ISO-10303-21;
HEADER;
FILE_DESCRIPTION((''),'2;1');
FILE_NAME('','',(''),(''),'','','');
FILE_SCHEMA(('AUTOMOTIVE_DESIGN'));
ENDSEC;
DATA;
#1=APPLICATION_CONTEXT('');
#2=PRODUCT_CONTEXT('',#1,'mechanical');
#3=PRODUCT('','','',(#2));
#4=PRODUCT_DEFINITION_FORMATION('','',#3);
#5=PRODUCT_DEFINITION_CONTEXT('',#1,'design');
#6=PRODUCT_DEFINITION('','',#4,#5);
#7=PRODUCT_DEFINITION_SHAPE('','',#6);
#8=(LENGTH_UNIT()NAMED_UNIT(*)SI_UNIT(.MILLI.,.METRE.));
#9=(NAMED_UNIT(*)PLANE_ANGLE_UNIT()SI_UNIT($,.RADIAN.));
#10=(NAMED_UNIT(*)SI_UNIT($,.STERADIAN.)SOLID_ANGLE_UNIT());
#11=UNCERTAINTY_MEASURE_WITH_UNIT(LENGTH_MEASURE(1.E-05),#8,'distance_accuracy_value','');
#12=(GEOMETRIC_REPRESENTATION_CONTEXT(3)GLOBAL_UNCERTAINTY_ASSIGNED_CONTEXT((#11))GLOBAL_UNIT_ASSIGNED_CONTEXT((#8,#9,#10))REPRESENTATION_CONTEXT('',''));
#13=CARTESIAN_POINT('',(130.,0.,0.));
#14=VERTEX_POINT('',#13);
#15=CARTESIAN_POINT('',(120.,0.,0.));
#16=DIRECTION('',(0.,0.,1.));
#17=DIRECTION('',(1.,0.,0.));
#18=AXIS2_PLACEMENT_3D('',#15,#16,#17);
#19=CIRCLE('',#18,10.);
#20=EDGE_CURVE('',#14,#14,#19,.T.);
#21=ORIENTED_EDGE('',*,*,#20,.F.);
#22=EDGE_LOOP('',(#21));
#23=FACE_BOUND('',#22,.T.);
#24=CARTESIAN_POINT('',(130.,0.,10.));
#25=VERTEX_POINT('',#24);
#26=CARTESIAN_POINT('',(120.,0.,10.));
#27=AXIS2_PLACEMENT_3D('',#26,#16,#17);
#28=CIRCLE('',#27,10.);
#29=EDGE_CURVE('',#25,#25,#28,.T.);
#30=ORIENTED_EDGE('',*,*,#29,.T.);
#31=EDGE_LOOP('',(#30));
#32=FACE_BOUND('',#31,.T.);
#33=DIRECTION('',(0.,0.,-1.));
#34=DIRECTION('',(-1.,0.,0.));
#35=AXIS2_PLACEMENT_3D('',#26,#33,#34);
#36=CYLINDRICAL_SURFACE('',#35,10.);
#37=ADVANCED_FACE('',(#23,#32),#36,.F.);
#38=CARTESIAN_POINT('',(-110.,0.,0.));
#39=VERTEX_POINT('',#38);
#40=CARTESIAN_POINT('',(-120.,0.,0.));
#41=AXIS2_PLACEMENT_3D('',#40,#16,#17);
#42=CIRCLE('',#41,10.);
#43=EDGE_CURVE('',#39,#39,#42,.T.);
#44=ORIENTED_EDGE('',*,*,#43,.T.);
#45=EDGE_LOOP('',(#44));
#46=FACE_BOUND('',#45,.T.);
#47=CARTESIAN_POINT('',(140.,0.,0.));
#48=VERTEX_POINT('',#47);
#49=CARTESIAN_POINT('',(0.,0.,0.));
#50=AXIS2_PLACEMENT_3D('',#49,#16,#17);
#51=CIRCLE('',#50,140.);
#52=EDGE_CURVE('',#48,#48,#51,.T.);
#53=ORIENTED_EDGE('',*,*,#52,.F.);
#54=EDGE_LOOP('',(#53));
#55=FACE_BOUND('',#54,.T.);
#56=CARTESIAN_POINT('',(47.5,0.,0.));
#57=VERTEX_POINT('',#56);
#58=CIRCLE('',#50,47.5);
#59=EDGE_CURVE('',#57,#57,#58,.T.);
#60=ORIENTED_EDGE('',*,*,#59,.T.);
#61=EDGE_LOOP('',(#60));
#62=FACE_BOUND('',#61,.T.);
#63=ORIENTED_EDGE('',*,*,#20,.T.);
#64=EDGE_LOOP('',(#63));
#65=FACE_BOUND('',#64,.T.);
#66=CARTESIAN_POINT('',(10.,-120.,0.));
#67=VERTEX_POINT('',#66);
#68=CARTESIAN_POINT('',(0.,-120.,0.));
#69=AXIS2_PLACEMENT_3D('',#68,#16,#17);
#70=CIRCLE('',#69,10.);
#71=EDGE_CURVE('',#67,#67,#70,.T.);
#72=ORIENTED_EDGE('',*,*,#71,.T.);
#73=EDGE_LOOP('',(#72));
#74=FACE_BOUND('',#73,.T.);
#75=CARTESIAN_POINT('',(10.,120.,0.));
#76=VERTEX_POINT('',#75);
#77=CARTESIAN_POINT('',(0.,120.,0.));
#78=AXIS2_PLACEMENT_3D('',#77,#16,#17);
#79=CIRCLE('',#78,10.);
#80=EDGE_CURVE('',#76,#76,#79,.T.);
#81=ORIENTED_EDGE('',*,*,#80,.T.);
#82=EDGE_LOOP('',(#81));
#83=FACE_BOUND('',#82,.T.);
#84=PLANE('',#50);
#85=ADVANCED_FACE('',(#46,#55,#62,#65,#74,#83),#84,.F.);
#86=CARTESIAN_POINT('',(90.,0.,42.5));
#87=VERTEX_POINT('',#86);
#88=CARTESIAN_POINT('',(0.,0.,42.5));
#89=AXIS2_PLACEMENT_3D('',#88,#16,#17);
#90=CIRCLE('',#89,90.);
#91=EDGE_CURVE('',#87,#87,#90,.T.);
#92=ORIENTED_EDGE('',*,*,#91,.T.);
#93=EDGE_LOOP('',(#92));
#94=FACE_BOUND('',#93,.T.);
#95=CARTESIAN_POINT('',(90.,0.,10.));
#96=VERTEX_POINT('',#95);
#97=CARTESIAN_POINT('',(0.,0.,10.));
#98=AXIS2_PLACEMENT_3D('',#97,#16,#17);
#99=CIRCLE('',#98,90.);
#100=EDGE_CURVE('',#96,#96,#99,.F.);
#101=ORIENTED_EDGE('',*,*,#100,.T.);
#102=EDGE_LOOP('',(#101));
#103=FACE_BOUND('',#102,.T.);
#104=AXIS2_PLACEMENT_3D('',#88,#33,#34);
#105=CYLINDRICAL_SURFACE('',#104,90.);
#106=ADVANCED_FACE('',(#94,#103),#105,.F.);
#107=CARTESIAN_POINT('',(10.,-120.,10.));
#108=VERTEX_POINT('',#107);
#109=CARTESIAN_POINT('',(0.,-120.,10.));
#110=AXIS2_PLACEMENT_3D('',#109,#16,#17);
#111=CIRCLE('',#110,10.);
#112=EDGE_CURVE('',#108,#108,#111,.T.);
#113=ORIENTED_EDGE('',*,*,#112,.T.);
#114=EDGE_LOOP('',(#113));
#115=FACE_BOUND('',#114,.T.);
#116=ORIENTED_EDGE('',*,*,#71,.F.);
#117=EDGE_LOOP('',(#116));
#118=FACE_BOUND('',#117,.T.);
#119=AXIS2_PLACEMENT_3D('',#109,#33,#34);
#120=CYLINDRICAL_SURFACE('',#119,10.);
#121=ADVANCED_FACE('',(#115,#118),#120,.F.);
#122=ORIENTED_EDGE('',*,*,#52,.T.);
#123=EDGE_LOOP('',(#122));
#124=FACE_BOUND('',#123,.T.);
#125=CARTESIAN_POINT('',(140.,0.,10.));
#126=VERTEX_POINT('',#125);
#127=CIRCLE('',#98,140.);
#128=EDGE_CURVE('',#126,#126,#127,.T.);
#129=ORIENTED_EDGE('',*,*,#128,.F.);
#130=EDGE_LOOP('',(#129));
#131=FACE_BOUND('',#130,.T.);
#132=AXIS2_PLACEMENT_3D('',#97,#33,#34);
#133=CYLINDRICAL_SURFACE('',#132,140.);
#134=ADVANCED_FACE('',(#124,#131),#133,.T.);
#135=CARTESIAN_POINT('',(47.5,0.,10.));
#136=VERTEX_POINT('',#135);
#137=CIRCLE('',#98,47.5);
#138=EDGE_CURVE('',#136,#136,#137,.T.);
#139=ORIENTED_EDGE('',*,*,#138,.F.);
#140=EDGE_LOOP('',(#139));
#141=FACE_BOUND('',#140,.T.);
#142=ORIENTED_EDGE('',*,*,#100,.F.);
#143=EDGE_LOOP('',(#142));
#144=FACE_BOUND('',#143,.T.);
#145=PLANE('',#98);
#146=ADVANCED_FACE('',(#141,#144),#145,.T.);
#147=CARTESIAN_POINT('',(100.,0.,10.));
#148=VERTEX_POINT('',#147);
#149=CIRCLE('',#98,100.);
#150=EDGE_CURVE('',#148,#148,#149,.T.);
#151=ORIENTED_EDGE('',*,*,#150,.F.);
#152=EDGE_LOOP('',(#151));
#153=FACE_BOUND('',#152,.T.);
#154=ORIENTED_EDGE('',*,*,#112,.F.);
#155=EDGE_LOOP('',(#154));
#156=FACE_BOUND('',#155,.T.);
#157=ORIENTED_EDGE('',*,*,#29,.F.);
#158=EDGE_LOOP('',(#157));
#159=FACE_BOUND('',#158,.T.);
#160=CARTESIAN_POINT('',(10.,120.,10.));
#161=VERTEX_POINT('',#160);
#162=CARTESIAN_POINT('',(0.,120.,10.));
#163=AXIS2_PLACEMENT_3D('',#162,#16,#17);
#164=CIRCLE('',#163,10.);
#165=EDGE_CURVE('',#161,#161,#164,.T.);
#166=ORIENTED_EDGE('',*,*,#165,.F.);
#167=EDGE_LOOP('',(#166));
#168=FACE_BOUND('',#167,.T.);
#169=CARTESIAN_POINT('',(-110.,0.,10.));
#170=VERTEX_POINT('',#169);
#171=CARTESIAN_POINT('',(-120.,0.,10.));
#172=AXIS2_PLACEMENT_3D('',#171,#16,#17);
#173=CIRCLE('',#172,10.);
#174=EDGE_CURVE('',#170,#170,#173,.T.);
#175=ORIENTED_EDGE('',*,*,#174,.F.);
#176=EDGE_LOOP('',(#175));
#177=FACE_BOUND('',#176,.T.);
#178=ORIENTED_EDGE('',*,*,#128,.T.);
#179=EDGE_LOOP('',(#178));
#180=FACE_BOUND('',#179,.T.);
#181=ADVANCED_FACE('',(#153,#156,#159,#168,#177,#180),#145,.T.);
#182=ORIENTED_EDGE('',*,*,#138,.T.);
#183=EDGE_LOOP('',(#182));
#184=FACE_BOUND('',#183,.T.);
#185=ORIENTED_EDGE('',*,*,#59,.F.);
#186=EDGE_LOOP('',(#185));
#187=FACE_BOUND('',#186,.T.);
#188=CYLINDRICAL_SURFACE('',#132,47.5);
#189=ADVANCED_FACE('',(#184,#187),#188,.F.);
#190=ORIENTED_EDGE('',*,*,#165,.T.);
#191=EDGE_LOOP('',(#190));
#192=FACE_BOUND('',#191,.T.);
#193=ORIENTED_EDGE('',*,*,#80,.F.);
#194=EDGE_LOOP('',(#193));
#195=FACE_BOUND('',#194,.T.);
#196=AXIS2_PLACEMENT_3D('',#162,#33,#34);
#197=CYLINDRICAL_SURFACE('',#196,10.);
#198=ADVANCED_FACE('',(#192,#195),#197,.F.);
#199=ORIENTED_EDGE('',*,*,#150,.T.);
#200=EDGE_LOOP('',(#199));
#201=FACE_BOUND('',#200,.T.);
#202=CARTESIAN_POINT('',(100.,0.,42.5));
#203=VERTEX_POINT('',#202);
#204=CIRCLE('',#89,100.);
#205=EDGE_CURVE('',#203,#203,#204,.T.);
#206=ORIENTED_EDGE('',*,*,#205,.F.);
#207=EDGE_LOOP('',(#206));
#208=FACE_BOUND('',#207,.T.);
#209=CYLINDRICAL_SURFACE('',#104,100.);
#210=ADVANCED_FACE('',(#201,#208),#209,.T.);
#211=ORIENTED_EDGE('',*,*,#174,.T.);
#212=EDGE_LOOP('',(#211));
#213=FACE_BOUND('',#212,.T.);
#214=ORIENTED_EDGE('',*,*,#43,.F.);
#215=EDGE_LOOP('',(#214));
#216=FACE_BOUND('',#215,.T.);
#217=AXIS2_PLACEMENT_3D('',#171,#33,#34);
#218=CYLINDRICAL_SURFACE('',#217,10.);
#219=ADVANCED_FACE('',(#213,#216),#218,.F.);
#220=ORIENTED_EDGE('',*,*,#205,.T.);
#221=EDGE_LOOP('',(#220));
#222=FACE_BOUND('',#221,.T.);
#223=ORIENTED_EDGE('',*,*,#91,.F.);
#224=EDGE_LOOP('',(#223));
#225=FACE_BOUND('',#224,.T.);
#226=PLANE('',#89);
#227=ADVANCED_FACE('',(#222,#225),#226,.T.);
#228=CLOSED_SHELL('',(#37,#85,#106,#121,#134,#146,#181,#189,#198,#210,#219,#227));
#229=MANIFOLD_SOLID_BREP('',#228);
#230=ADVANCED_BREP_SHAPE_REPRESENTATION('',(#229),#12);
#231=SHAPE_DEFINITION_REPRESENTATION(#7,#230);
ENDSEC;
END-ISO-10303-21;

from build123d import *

# Parameters (mm, degrees)
SKETCH_1_R      = 140
SKETCH_1_R_2    = 47.5
SKETCH_1_R_3    = 10
EXTRUDE_1_DEPTH = 10
SKETCH_2_R      = 100
SKETCH_2_R_2    = 90
EXTRUDE_2_DEPTH = 32.5


with BuildPart() as part:
    # 草图1 → 拉伸1 (new body)
    with BuildSketch(Plane.XY):
        Circle(SKETCH_1_R)
        Circle(SKETCH_1_R_2, mode=Mode.SUBTRACT)
        with Locations((0, 120)):
            Circle(SKETCH_1_R_3, mode=Mode.SUBTRACT)
        with Locations((120, 0)):
            Circle(SKETCH_1_R_3, mode=Mode.SUBTRACT)
        with Locations((0, -120)):
            Circle(SKETCH_1_R_3, mode=Mode.SUBTRACT)
        with Locations((-120, 0)):
            Circle(SKETCH_1_R_3, mode=Mode.SUBTRACT)
    extrude(amount=EXTRUDE_1_DEPTH)

    # 草图2 → 拉伸2 (add)
    with BuildSketch(Plane.XY.offset(10)):
        Circle(SKETCH_2_R)
        Circle(SKETCH_2_R_2, mode=Mode.SUBTRACT)
    extrude(amount=EXTRUDE_2_DEPTH)


solid = part.part
